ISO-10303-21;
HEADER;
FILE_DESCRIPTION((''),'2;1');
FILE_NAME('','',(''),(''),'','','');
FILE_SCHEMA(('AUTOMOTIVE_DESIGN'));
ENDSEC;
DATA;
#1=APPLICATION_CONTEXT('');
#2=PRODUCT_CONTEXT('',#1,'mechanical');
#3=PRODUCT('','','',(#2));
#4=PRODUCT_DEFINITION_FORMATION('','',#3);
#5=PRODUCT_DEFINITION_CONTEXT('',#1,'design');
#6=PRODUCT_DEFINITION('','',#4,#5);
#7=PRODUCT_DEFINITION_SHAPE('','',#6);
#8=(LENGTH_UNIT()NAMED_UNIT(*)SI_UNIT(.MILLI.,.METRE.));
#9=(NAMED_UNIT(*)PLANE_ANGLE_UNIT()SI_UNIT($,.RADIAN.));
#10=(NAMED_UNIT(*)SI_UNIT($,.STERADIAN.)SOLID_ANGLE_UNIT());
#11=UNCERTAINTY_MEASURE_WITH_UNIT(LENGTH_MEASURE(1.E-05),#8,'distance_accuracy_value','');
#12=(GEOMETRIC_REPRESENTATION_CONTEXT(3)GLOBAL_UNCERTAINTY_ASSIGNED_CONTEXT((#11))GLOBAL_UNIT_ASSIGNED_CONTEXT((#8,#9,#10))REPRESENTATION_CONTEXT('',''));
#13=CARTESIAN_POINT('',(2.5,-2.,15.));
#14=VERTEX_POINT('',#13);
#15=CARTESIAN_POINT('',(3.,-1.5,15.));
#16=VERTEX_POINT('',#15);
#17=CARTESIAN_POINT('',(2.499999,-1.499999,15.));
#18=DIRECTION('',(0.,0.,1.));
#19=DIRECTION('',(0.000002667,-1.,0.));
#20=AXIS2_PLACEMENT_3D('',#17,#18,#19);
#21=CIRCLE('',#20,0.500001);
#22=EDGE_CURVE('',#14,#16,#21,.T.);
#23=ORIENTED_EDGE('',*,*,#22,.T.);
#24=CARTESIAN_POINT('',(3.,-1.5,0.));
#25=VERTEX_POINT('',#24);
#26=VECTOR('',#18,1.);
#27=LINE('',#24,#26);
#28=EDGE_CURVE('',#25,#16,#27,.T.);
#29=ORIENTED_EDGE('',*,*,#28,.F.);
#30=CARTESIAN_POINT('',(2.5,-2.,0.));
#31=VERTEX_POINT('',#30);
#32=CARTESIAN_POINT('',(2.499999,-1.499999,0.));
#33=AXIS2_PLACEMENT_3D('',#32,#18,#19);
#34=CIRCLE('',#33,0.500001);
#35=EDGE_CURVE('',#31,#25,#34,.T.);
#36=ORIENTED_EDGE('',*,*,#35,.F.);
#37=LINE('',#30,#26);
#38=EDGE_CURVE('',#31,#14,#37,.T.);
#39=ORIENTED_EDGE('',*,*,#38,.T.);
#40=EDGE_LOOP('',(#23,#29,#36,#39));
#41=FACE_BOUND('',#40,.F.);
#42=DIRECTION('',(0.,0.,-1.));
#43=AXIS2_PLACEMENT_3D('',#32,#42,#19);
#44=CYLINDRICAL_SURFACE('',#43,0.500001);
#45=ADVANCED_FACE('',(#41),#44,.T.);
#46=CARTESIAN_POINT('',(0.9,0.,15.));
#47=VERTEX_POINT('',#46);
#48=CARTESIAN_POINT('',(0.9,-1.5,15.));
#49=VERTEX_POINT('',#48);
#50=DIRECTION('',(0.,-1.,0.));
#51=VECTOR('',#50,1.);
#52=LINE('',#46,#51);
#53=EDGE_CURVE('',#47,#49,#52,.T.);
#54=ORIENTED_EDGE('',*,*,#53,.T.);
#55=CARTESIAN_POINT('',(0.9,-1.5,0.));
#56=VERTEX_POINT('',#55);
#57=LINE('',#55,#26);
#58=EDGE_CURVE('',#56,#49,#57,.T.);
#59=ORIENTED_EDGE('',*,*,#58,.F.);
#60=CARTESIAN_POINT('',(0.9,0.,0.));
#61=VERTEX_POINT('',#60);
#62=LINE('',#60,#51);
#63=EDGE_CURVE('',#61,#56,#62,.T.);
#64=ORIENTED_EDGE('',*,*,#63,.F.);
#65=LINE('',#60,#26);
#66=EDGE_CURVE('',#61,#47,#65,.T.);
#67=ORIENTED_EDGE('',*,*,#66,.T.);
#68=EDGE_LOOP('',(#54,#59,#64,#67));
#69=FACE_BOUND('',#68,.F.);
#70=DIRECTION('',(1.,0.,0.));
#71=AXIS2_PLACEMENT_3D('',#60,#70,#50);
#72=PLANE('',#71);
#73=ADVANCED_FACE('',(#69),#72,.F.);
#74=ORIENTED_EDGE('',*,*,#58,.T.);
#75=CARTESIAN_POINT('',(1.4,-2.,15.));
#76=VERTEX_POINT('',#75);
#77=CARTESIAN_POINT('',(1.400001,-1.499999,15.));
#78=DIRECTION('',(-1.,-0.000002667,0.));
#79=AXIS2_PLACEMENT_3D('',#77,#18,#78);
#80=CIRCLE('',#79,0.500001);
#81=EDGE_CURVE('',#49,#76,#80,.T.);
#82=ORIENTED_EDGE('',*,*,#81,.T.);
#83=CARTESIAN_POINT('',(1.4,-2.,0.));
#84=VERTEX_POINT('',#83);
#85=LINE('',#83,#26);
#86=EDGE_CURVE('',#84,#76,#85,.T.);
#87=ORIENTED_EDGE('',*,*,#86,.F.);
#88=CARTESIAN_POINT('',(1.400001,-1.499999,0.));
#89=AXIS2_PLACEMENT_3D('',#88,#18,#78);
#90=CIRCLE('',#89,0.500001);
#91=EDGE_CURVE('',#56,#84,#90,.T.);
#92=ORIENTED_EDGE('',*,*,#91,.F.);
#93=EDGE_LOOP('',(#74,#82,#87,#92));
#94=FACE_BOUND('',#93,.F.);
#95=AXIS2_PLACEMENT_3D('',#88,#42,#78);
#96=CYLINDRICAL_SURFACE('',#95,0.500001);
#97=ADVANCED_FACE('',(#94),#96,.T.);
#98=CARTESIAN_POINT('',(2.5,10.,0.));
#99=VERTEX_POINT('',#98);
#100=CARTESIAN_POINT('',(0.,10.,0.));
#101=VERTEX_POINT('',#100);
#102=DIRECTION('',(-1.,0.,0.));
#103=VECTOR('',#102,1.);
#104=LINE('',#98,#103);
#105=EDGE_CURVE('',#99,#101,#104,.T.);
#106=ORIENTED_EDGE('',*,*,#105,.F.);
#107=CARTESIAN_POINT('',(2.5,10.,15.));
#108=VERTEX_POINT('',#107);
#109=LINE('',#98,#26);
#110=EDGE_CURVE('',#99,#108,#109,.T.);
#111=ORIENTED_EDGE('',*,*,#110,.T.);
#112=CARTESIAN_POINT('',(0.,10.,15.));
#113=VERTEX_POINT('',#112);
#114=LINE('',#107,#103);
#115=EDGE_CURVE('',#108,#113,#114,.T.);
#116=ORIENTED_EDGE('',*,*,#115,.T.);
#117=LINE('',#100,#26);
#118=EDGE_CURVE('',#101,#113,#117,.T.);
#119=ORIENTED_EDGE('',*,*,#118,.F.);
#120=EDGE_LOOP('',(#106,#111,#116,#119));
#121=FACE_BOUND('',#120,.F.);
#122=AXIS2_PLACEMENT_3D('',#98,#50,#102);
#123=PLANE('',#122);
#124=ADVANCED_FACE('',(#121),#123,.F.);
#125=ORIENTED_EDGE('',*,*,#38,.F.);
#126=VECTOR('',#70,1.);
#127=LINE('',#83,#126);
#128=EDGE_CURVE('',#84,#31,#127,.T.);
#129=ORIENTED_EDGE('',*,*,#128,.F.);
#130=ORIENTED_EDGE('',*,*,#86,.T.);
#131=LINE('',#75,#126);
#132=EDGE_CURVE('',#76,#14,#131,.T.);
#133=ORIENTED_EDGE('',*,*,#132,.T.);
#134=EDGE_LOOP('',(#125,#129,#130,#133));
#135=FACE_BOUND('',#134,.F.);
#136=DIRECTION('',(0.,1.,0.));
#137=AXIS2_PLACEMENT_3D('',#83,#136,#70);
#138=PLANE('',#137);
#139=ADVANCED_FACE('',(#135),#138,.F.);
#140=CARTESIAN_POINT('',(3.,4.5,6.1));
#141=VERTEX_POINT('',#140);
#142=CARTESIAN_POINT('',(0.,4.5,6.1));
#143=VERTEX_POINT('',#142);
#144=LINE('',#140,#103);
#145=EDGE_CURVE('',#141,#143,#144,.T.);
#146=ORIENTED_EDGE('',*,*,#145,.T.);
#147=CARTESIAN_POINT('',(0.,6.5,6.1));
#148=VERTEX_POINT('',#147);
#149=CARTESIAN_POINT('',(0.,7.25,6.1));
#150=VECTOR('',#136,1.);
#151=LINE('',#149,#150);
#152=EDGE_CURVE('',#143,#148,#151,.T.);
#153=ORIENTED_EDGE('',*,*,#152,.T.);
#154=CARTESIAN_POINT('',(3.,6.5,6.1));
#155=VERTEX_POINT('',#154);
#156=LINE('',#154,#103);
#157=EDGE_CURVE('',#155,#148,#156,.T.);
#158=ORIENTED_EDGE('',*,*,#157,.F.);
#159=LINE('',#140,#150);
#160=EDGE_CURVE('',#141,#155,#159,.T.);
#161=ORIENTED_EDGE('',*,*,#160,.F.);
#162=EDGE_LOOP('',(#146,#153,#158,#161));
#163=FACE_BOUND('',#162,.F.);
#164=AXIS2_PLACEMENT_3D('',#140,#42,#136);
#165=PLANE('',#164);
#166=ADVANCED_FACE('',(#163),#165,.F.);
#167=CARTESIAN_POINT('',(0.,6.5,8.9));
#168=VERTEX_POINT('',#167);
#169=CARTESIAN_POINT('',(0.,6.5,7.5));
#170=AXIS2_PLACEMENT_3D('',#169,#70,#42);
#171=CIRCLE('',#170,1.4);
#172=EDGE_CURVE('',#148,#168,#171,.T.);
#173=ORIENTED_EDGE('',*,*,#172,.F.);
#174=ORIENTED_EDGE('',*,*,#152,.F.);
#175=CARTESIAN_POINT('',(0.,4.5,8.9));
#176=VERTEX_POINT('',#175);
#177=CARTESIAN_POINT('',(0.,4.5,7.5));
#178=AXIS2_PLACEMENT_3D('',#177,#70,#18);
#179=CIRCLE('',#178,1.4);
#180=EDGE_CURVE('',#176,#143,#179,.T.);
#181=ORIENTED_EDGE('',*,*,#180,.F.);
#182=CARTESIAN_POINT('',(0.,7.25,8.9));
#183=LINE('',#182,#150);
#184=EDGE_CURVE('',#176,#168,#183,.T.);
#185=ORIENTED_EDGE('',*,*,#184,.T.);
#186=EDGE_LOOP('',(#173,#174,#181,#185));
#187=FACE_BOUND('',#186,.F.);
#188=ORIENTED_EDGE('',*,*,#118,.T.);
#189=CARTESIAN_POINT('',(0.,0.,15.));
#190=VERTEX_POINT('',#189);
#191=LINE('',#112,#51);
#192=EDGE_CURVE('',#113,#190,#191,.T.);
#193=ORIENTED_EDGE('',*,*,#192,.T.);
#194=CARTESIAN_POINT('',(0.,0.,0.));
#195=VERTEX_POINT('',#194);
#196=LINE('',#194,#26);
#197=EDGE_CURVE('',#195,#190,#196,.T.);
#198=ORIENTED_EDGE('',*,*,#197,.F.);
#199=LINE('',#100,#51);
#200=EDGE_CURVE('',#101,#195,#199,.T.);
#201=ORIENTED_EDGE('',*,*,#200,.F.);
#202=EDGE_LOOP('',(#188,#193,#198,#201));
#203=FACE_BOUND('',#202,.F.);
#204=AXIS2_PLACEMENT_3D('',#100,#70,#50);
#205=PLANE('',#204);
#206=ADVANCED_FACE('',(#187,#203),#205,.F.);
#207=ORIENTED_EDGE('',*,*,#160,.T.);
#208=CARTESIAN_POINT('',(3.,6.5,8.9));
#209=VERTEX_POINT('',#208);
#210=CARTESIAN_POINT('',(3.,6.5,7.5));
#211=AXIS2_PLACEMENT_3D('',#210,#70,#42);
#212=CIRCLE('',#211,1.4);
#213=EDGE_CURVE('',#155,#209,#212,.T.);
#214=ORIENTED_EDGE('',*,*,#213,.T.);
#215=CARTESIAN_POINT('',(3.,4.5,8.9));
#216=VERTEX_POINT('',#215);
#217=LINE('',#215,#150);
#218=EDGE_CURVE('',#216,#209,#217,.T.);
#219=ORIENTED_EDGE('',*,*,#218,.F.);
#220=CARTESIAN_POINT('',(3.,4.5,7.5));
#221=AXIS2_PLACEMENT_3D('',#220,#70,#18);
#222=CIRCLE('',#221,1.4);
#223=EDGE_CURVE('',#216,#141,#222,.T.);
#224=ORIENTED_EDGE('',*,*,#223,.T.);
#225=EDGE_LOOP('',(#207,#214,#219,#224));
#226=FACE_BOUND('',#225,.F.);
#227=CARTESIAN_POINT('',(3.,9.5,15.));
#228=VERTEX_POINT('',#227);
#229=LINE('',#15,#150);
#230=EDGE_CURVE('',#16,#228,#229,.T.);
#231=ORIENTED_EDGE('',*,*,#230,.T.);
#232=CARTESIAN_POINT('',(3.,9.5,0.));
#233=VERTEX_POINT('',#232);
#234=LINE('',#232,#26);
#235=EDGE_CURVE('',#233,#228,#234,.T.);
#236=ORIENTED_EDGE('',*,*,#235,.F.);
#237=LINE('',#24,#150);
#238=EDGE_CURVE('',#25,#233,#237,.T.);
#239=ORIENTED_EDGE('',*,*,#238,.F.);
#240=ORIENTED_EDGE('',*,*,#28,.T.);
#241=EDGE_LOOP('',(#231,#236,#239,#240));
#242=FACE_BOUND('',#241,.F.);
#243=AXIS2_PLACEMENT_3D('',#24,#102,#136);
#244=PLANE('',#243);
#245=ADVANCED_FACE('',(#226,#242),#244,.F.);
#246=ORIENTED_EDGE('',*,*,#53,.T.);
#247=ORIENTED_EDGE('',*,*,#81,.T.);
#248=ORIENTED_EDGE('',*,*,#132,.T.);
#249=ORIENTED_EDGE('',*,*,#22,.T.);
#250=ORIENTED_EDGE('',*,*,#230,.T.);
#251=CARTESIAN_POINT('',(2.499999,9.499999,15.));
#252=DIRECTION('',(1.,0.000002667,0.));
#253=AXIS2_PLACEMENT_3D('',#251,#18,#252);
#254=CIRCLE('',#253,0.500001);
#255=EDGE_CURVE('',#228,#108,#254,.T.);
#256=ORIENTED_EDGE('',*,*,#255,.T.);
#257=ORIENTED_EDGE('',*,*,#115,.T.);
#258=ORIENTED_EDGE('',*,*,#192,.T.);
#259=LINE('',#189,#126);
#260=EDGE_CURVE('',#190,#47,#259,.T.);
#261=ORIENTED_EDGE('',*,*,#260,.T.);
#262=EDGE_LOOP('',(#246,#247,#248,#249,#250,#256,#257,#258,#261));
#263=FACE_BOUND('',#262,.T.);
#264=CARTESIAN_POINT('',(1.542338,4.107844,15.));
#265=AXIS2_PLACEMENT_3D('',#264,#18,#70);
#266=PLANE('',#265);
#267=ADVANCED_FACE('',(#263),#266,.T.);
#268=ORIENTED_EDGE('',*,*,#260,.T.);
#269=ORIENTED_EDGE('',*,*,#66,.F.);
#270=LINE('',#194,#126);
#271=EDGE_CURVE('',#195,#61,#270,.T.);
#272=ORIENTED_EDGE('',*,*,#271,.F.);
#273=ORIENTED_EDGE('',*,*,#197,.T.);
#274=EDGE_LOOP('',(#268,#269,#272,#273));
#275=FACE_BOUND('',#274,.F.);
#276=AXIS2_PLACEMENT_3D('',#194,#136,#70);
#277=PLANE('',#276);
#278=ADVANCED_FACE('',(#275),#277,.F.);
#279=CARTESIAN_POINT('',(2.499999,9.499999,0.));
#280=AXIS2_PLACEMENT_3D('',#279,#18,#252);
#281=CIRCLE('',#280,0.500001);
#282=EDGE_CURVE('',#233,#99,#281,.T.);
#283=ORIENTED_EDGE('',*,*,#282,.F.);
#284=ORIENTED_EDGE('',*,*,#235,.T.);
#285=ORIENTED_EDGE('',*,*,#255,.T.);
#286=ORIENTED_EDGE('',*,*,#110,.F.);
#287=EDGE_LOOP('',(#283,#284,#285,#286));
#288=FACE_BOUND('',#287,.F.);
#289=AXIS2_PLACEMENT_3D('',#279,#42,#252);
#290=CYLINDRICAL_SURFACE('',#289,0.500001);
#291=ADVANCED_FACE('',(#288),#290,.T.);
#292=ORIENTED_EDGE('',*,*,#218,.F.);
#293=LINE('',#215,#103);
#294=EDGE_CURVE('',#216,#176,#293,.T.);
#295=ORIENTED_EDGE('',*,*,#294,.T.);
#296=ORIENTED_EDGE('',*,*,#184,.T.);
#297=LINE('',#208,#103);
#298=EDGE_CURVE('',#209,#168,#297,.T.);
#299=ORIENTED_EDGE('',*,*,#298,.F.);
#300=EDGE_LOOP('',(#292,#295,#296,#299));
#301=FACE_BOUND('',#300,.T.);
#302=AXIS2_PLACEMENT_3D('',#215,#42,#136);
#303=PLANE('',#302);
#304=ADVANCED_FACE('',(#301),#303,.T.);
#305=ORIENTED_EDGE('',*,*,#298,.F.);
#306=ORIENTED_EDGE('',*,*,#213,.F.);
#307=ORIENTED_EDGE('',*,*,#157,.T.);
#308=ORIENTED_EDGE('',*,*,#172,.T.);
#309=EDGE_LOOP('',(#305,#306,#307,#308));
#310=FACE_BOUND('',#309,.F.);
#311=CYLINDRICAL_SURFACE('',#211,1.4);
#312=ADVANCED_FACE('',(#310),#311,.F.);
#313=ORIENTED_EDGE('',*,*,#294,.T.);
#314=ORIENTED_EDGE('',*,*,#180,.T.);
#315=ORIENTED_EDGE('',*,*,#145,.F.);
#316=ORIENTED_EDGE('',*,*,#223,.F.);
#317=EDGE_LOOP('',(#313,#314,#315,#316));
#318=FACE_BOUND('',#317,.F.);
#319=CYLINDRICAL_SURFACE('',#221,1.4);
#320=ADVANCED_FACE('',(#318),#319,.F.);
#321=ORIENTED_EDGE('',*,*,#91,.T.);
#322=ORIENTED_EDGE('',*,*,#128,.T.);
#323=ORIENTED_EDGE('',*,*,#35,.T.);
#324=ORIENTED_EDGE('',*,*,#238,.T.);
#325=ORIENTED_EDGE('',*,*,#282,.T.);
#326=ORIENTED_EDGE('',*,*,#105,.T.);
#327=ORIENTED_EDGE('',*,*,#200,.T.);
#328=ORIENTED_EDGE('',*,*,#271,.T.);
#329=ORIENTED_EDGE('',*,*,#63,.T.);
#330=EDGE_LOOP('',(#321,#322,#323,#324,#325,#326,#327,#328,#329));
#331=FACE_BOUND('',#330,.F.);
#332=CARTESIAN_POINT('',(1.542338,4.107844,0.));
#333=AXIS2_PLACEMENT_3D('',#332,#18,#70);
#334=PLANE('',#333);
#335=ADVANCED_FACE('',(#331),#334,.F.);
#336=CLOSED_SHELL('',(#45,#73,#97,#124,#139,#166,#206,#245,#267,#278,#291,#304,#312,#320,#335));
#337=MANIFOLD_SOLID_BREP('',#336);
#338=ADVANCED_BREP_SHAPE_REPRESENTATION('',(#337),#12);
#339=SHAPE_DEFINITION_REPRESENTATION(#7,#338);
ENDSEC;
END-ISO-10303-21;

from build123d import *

# Parameters (mm, degrees)
PAD_DEPTH    = 15
POCKET_DEPTH = 3.001


with BuildPart() as part:
    # Sketch → Pad (new body)
    with BuildSketch(Plane.XY):
        with BuildLine():
            Line((0, 10), (0, 0))
            Line((0, 0), (0.9, 0))
            Line((0.9, 0), (0.9, -1.5))
            ThreePointArc((0.9, -1.5), (1.046447, -1.853553), (1.4, -2))
            Line((1.4, -2), (2.5, -2))
            ThreePointArc((2.5, -2), (2.853553, -1.853553), (3, -1.5))
            Line((3, -1.5), (3, 9.5))
            ThreePointArc((3, 9.5), (2.853553, 9.853553), (2.5, 10))
            Line((2.5, 10), (0, 10))
        make_face()
    extrude(amount=PAD_DEPTH)

    # Sketch001 → Pocket (cut, through all)
    with BuildSketch(Plane.YZ.offset(3)):
        with BuildLine():
            ThreePointArc((4.5, 8.9), (3.1, 7.5), (4.5, 6.1))
            Line((4.5, 6.1), (6.5, 6.1))
            ThreePointArc((6.5, 6.1), (7.9, 7.5), (6.5, 8.9))
            Line((4.5, 8.9), (6.5, 8.9))
        make_face()
    extrude(amount=-POCKET_DEPTH, mode=Mode.SUBTRACT)


solid = part.part
